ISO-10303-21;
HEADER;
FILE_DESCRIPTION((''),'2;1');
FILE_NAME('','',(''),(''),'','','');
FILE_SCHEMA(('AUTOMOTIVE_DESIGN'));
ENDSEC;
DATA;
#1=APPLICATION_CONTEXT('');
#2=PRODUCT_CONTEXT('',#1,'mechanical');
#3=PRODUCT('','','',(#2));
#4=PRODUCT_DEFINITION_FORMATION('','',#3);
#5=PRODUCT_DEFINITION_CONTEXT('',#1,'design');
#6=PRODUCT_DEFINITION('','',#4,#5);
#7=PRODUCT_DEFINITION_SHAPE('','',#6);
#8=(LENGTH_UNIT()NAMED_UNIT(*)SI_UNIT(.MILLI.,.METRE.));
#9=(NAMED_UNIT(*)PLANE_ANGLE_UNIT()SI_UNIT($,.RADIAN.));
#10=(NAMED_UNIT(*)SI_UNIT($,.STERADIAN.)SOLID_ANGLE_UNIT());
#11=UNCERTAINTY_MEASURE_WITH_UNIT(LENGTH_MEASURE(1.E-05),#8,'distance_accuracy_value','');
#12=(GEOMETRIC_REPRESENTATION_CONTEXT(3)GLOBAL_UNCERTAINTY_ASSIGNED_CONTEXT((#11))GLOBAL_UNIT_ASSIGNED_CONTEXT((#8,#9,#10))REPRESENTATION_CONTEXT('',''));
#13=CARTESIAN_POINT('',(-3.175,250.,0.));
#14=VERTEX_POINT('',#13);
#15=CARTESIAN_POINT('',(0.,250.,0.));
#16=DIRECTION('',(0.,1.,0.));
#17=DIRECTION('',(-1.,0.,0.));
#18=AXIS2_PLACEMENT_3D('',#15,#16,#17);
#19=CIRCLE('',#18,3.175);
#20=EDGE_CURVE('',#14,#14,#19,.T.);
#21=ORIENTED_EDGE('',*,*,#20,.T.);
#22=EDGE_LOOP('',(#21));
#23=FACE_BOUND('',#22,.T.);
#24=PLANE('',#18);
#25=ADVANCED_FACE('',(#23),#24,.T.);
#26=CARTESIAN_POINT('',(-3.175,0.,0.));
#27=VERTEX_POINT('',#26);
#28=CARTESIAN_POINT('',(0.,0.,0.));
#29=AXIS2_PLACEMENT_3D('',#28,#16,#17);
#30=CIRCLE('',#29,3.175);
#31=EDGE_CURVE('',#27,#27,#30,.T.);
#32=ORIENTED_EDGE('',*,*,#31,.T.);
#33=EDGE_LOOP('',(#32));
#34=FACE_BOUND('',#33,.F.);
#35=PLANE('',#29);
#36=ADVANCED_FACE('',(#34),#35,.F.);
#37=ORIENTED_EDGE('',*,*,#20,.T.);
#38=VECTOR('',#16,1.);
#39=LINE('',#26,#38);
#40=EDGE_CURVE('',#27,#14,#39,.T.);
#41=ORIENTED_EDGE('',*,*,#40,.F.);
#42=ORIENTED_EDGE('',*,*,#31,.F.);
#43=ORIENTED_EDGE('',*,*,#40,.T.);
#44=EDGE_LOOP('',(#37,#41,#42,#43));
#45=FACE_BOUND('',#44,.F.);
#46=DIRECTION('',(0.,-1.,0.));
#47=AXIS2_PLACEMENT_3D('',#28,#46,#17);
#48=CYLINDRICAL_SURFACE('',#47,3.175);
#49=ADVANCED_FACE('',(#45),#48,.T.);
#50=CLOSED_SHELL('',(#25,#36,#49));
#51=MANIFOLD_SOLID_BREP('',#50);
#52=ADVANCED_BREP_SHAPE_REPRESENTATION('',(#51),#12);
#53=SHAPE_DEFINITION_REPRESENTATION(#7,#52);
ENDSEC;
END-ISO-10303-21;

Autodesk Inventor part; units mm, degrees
ref_plane "YZ Plane" through (0, 0, 0) normal (1, 0, 0) x (0, 1, 0)
ref_plane "XZ Plane" through (0, 0, 0) normal (0, 1, 0) x (-1, 0, 0)
ref_plane "XY Plane" through (0, 0, 0) normal (0, 0, 1) x (1, 0, 0)
sketch "Sketch1" plane through (0, 0, 0) normal (0, 1, 0) x (-1, 0, 0)
  circle A0 centre (0, 0) radius 3.175
  dimension "d0" = 6.35
extrude "Extrusion1" add sketch "Sketch1" along normal blind 250
properties part number "Rod1"
